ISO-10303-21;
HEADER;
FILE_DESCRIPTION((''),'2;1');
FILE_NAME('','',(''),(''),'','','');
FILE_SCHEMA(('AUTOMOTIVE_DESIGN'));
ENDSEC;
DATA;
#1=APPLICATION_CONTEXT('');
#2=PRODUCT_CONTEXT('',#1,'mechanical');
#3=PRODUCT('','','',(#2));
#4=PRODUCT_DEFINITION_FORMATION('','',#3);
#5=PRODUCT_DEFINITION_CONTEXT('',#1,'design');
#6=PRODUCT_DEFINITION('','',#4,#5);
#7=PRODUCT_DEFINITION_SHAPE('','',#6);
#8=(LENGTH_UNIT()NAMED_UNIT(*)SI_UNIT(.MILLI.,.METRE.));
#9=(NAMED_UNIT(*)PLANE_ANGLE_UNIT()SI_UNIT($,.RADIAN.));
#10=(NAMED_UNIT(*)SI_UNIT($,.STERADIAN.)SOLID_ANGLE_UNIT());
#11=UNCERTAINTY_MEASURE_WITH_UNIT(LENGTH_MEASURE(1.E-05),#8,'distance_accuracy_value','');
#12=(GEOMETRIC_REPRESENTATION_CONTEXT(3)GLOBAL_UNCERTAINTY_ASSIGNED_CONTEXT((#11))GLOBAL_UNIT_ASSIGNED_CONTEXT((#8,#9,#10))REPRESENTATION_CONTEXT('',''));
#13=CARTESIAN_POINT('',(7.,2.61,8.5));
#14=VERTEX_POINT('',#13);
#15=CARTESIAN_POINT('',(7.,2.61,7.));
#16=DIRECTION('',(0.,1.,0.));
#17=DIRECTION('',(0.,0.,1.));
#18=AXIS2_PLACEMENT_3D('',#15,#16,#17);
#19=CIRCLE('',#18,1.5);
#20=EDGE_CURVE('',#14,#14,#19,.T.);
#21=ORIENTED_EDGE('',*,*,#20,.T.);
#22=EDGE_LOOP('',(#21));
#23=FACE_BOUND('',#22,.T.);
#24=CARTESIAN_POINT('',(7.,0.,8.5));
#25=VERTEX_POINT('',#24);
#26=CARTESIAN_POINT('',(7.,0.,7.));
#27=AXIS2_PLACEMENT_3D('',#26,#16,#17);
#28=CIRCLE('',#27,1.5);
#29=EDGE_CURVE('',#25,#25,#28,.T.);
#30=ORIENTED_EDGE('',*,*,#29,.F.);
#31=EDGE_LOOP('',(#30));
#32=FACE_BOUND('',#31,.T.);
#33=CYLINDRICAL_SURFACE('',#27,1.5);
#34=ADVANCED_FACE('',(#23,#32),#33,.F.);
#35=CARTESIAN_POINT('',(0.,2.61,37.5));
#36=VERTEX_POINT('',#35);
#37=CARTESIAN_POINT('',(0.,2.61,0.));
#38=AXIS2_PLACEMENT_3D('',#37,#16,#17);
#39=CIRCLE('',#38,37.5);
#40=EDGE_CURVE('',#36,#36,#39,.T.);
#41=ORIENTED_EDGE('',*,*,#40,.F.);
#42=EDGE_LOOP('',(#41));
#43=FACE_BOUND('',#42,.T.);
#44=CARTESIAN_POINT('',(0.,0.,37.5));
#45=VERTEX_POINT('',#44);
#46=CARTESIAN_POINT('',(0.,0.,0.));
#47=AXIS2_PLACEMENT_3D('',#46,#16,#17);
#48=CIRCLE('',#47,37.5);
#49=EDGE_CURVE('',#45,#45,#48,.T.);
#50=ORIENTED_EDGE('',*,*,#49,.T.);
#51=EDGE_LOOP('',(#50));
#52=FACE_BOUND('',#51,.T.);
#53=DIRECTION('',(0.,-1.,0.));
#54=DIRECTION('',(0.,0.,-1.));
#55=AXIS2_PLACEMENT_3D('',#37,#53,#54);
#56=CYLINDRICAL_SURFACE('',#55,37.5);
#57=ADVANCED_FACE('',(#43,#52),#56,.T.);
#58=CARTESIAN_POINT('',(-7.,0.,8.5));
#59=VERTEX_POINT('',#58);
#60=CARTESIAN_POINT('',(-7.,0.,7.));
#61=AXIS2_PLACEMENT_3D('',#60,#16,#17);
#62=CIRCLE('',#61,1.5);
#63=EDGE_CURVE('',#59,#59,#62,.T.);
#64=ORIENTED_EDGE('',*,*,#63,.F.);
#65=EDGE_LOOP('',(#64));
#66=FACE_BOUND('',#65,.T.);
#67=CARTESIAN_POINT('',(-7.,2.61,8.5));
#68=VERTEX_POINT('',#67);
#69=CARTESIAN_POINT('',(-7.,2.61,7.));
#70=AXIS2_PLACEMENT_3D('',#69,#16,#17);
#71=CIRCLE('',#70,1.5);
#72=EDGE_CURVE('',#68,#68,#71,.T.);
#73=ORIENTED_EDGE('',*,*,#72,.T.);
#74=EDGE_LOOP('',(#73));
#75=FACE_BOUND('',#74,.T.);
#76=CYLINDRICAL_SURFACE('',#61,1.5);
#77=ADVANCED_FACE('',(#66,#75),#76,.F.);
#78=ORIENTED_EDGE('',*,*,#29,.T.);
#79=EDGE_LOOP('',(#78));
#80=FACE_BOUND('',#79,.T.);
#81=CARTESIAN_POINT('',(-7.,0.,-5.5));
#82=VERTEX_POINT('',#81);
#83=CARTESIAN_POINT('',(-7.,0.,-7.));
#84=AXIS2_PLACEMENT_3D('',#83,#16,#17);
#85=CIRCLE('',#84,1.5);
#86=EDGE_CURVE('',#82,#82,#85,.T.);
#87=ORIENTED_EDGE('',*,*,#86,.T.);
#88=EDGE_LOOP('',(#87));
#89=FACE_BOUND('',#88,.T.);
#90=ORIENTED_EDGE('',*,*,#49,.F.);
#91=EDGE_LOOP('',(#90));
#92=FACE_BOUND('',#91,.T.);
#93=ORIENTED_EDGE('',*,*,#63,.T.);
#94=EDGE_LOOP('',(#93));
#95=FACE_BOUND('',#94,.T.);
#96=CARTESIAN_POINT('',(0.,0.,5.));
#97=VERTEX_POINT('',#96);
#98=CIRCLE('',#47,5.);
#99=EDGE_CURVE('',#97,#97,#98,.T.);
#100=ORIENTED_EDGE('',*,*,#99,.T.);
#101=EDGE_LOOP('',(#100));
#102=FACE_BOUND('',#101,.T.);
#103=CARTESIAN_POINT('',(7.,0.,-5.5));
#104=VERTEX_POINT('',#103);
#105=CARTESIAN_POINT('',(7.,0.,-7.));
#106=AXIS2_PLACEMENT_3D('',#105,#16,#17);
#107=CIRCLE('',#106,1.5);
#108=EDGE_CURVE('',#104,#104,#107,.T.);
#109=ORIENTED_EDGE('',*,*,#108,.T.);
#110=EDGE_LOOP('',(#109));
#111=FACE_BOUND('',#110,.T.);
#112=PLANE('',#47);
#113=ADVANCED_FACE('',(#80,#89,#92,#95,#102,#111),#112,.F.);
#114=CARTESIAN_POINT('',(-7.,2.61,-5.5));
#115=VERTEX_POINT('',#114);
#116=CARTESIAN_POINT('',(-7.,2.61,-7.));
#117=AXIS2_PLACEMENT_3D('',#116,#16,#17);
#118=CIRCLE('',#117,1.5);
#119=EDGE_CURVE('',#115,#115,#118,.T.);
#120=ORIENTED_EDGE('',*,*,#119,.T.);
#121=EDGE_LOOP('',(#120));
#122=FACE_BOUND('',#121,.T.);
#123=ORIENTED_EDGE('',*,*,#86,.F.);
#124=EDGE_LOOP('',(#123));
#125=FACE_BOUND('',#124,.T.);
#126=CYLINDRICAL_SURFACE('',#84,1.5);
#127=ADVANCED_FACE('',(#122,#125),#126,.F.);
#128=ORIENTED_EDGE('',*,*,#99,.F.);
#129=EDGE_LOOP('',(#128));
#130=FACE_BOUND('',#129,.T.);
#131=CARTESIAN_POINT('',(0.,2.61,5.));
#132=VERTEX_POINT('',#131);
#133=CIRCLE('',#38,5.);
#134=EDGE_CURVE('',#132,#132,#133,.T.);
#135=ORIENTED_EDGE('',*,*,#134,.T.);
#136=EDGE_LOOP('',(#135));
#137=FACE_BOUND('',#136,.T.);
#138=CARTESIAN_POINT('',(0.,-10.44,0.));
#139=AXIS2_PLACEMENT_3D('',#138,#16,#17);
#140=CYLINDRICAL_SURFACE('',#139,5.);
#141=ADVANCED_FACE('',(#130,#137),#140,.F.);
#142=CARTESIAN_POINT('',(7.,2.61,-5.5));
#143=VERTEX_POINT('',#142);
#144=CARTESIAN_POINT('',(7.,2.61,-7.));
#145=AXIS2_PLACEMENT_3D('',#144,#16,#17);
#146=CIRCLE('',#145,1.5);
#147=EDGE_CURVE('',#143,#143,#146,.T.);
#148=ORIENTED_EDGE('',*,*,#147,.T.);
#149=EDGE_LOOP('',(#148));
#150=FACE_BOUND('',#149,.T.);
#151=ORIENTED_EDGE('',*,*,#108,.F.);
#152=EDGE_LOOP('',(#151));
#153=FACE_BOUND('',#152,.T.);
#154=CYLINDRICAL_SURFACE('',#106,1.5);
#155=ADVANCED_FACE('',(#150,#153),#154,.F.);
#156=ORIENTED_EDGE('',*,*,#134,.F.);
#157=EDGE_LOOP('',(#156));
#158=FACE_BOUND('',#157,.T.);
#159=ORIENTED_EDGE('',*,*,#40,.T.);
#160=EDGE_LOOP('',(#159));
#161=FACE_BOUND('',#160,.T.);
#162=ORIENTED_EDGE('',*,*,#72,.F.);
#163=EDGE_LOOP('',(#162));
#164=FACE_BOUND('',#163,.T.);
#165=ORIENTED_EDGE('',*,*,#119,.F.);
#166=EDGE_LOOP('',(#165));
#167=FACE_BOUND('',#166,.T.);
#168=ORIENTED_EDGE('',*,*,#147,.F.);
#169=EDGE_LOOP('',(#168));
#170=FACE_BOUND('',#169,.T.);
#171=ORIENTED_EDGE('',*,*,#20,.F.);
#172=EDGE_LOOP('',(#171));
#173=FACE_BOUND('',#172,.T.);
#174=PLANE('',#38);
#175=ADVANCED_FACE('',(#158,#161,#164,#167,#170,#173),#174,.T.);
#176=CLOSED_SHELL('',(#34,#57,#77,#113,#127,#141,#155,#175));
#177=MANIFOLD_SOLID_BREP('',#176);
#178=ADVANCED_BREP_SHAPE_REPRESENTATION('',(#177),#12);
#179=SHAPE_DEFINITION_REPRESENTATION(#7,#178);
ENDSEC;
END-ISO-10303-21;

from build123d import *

# Parameters (mm, degrees)
SKETCH1_R           = 37.5
BOSS_EXTRUDE1_DEPTH = 2.61
SKETCH2_R           = 5
CUT_EXTRUDE1_DEPTH  = 13.05
SKETCH3_R           = 1.5
CUT_EXTRUDE2_DEPTH  = 3.61


with BuildPart() as part:
    # Sketch1 → Boss-Extrude1 (new body)
    with BuildSketch(Plane(origin=(0, 0, 0), x_dir=(1, 0, 0), z_dir=(0, 1, 0))):
        Circle(SKETCH1_R)
    extrude(amount=BOSS_EXTRUDE1_DEPTH)

    # Sketch2 → Cut-Extrude1 (cut)
    with BuildSketch(Plane(origin=(0, 2.61, 0), x_dir=(1, 0, 0), z_dir=(0, 1, 0))):
        Circle(SKETCH2_R)
    extrude(amount=-CUT_EXTRUDE1_DEPTH, mode=Mode.SUBTRACT)

    # Sketch3 → Cut-Extrude2 (cut, through all)
    with BuildSketch(Plane(origin=(0, 2.61, 0), x_dir=(1, 0, 0), z_dir=(0, 1, 0))):
        with Locations((-7, 7)):
            Circle(SKETCH3_R)
        with Locations((7, 7)):
            Circle(SKETCH3_R)
        with Locations((7, -7)):
            Circle(SKETCH3_R)
        with Locations((-7, -7)):
            Circle(SKETCH3_R)
    extrude(amount=-CUT_EXTRUDE2_DEPTH, mode=Mode.SUBTRACT)


solid = part.part
